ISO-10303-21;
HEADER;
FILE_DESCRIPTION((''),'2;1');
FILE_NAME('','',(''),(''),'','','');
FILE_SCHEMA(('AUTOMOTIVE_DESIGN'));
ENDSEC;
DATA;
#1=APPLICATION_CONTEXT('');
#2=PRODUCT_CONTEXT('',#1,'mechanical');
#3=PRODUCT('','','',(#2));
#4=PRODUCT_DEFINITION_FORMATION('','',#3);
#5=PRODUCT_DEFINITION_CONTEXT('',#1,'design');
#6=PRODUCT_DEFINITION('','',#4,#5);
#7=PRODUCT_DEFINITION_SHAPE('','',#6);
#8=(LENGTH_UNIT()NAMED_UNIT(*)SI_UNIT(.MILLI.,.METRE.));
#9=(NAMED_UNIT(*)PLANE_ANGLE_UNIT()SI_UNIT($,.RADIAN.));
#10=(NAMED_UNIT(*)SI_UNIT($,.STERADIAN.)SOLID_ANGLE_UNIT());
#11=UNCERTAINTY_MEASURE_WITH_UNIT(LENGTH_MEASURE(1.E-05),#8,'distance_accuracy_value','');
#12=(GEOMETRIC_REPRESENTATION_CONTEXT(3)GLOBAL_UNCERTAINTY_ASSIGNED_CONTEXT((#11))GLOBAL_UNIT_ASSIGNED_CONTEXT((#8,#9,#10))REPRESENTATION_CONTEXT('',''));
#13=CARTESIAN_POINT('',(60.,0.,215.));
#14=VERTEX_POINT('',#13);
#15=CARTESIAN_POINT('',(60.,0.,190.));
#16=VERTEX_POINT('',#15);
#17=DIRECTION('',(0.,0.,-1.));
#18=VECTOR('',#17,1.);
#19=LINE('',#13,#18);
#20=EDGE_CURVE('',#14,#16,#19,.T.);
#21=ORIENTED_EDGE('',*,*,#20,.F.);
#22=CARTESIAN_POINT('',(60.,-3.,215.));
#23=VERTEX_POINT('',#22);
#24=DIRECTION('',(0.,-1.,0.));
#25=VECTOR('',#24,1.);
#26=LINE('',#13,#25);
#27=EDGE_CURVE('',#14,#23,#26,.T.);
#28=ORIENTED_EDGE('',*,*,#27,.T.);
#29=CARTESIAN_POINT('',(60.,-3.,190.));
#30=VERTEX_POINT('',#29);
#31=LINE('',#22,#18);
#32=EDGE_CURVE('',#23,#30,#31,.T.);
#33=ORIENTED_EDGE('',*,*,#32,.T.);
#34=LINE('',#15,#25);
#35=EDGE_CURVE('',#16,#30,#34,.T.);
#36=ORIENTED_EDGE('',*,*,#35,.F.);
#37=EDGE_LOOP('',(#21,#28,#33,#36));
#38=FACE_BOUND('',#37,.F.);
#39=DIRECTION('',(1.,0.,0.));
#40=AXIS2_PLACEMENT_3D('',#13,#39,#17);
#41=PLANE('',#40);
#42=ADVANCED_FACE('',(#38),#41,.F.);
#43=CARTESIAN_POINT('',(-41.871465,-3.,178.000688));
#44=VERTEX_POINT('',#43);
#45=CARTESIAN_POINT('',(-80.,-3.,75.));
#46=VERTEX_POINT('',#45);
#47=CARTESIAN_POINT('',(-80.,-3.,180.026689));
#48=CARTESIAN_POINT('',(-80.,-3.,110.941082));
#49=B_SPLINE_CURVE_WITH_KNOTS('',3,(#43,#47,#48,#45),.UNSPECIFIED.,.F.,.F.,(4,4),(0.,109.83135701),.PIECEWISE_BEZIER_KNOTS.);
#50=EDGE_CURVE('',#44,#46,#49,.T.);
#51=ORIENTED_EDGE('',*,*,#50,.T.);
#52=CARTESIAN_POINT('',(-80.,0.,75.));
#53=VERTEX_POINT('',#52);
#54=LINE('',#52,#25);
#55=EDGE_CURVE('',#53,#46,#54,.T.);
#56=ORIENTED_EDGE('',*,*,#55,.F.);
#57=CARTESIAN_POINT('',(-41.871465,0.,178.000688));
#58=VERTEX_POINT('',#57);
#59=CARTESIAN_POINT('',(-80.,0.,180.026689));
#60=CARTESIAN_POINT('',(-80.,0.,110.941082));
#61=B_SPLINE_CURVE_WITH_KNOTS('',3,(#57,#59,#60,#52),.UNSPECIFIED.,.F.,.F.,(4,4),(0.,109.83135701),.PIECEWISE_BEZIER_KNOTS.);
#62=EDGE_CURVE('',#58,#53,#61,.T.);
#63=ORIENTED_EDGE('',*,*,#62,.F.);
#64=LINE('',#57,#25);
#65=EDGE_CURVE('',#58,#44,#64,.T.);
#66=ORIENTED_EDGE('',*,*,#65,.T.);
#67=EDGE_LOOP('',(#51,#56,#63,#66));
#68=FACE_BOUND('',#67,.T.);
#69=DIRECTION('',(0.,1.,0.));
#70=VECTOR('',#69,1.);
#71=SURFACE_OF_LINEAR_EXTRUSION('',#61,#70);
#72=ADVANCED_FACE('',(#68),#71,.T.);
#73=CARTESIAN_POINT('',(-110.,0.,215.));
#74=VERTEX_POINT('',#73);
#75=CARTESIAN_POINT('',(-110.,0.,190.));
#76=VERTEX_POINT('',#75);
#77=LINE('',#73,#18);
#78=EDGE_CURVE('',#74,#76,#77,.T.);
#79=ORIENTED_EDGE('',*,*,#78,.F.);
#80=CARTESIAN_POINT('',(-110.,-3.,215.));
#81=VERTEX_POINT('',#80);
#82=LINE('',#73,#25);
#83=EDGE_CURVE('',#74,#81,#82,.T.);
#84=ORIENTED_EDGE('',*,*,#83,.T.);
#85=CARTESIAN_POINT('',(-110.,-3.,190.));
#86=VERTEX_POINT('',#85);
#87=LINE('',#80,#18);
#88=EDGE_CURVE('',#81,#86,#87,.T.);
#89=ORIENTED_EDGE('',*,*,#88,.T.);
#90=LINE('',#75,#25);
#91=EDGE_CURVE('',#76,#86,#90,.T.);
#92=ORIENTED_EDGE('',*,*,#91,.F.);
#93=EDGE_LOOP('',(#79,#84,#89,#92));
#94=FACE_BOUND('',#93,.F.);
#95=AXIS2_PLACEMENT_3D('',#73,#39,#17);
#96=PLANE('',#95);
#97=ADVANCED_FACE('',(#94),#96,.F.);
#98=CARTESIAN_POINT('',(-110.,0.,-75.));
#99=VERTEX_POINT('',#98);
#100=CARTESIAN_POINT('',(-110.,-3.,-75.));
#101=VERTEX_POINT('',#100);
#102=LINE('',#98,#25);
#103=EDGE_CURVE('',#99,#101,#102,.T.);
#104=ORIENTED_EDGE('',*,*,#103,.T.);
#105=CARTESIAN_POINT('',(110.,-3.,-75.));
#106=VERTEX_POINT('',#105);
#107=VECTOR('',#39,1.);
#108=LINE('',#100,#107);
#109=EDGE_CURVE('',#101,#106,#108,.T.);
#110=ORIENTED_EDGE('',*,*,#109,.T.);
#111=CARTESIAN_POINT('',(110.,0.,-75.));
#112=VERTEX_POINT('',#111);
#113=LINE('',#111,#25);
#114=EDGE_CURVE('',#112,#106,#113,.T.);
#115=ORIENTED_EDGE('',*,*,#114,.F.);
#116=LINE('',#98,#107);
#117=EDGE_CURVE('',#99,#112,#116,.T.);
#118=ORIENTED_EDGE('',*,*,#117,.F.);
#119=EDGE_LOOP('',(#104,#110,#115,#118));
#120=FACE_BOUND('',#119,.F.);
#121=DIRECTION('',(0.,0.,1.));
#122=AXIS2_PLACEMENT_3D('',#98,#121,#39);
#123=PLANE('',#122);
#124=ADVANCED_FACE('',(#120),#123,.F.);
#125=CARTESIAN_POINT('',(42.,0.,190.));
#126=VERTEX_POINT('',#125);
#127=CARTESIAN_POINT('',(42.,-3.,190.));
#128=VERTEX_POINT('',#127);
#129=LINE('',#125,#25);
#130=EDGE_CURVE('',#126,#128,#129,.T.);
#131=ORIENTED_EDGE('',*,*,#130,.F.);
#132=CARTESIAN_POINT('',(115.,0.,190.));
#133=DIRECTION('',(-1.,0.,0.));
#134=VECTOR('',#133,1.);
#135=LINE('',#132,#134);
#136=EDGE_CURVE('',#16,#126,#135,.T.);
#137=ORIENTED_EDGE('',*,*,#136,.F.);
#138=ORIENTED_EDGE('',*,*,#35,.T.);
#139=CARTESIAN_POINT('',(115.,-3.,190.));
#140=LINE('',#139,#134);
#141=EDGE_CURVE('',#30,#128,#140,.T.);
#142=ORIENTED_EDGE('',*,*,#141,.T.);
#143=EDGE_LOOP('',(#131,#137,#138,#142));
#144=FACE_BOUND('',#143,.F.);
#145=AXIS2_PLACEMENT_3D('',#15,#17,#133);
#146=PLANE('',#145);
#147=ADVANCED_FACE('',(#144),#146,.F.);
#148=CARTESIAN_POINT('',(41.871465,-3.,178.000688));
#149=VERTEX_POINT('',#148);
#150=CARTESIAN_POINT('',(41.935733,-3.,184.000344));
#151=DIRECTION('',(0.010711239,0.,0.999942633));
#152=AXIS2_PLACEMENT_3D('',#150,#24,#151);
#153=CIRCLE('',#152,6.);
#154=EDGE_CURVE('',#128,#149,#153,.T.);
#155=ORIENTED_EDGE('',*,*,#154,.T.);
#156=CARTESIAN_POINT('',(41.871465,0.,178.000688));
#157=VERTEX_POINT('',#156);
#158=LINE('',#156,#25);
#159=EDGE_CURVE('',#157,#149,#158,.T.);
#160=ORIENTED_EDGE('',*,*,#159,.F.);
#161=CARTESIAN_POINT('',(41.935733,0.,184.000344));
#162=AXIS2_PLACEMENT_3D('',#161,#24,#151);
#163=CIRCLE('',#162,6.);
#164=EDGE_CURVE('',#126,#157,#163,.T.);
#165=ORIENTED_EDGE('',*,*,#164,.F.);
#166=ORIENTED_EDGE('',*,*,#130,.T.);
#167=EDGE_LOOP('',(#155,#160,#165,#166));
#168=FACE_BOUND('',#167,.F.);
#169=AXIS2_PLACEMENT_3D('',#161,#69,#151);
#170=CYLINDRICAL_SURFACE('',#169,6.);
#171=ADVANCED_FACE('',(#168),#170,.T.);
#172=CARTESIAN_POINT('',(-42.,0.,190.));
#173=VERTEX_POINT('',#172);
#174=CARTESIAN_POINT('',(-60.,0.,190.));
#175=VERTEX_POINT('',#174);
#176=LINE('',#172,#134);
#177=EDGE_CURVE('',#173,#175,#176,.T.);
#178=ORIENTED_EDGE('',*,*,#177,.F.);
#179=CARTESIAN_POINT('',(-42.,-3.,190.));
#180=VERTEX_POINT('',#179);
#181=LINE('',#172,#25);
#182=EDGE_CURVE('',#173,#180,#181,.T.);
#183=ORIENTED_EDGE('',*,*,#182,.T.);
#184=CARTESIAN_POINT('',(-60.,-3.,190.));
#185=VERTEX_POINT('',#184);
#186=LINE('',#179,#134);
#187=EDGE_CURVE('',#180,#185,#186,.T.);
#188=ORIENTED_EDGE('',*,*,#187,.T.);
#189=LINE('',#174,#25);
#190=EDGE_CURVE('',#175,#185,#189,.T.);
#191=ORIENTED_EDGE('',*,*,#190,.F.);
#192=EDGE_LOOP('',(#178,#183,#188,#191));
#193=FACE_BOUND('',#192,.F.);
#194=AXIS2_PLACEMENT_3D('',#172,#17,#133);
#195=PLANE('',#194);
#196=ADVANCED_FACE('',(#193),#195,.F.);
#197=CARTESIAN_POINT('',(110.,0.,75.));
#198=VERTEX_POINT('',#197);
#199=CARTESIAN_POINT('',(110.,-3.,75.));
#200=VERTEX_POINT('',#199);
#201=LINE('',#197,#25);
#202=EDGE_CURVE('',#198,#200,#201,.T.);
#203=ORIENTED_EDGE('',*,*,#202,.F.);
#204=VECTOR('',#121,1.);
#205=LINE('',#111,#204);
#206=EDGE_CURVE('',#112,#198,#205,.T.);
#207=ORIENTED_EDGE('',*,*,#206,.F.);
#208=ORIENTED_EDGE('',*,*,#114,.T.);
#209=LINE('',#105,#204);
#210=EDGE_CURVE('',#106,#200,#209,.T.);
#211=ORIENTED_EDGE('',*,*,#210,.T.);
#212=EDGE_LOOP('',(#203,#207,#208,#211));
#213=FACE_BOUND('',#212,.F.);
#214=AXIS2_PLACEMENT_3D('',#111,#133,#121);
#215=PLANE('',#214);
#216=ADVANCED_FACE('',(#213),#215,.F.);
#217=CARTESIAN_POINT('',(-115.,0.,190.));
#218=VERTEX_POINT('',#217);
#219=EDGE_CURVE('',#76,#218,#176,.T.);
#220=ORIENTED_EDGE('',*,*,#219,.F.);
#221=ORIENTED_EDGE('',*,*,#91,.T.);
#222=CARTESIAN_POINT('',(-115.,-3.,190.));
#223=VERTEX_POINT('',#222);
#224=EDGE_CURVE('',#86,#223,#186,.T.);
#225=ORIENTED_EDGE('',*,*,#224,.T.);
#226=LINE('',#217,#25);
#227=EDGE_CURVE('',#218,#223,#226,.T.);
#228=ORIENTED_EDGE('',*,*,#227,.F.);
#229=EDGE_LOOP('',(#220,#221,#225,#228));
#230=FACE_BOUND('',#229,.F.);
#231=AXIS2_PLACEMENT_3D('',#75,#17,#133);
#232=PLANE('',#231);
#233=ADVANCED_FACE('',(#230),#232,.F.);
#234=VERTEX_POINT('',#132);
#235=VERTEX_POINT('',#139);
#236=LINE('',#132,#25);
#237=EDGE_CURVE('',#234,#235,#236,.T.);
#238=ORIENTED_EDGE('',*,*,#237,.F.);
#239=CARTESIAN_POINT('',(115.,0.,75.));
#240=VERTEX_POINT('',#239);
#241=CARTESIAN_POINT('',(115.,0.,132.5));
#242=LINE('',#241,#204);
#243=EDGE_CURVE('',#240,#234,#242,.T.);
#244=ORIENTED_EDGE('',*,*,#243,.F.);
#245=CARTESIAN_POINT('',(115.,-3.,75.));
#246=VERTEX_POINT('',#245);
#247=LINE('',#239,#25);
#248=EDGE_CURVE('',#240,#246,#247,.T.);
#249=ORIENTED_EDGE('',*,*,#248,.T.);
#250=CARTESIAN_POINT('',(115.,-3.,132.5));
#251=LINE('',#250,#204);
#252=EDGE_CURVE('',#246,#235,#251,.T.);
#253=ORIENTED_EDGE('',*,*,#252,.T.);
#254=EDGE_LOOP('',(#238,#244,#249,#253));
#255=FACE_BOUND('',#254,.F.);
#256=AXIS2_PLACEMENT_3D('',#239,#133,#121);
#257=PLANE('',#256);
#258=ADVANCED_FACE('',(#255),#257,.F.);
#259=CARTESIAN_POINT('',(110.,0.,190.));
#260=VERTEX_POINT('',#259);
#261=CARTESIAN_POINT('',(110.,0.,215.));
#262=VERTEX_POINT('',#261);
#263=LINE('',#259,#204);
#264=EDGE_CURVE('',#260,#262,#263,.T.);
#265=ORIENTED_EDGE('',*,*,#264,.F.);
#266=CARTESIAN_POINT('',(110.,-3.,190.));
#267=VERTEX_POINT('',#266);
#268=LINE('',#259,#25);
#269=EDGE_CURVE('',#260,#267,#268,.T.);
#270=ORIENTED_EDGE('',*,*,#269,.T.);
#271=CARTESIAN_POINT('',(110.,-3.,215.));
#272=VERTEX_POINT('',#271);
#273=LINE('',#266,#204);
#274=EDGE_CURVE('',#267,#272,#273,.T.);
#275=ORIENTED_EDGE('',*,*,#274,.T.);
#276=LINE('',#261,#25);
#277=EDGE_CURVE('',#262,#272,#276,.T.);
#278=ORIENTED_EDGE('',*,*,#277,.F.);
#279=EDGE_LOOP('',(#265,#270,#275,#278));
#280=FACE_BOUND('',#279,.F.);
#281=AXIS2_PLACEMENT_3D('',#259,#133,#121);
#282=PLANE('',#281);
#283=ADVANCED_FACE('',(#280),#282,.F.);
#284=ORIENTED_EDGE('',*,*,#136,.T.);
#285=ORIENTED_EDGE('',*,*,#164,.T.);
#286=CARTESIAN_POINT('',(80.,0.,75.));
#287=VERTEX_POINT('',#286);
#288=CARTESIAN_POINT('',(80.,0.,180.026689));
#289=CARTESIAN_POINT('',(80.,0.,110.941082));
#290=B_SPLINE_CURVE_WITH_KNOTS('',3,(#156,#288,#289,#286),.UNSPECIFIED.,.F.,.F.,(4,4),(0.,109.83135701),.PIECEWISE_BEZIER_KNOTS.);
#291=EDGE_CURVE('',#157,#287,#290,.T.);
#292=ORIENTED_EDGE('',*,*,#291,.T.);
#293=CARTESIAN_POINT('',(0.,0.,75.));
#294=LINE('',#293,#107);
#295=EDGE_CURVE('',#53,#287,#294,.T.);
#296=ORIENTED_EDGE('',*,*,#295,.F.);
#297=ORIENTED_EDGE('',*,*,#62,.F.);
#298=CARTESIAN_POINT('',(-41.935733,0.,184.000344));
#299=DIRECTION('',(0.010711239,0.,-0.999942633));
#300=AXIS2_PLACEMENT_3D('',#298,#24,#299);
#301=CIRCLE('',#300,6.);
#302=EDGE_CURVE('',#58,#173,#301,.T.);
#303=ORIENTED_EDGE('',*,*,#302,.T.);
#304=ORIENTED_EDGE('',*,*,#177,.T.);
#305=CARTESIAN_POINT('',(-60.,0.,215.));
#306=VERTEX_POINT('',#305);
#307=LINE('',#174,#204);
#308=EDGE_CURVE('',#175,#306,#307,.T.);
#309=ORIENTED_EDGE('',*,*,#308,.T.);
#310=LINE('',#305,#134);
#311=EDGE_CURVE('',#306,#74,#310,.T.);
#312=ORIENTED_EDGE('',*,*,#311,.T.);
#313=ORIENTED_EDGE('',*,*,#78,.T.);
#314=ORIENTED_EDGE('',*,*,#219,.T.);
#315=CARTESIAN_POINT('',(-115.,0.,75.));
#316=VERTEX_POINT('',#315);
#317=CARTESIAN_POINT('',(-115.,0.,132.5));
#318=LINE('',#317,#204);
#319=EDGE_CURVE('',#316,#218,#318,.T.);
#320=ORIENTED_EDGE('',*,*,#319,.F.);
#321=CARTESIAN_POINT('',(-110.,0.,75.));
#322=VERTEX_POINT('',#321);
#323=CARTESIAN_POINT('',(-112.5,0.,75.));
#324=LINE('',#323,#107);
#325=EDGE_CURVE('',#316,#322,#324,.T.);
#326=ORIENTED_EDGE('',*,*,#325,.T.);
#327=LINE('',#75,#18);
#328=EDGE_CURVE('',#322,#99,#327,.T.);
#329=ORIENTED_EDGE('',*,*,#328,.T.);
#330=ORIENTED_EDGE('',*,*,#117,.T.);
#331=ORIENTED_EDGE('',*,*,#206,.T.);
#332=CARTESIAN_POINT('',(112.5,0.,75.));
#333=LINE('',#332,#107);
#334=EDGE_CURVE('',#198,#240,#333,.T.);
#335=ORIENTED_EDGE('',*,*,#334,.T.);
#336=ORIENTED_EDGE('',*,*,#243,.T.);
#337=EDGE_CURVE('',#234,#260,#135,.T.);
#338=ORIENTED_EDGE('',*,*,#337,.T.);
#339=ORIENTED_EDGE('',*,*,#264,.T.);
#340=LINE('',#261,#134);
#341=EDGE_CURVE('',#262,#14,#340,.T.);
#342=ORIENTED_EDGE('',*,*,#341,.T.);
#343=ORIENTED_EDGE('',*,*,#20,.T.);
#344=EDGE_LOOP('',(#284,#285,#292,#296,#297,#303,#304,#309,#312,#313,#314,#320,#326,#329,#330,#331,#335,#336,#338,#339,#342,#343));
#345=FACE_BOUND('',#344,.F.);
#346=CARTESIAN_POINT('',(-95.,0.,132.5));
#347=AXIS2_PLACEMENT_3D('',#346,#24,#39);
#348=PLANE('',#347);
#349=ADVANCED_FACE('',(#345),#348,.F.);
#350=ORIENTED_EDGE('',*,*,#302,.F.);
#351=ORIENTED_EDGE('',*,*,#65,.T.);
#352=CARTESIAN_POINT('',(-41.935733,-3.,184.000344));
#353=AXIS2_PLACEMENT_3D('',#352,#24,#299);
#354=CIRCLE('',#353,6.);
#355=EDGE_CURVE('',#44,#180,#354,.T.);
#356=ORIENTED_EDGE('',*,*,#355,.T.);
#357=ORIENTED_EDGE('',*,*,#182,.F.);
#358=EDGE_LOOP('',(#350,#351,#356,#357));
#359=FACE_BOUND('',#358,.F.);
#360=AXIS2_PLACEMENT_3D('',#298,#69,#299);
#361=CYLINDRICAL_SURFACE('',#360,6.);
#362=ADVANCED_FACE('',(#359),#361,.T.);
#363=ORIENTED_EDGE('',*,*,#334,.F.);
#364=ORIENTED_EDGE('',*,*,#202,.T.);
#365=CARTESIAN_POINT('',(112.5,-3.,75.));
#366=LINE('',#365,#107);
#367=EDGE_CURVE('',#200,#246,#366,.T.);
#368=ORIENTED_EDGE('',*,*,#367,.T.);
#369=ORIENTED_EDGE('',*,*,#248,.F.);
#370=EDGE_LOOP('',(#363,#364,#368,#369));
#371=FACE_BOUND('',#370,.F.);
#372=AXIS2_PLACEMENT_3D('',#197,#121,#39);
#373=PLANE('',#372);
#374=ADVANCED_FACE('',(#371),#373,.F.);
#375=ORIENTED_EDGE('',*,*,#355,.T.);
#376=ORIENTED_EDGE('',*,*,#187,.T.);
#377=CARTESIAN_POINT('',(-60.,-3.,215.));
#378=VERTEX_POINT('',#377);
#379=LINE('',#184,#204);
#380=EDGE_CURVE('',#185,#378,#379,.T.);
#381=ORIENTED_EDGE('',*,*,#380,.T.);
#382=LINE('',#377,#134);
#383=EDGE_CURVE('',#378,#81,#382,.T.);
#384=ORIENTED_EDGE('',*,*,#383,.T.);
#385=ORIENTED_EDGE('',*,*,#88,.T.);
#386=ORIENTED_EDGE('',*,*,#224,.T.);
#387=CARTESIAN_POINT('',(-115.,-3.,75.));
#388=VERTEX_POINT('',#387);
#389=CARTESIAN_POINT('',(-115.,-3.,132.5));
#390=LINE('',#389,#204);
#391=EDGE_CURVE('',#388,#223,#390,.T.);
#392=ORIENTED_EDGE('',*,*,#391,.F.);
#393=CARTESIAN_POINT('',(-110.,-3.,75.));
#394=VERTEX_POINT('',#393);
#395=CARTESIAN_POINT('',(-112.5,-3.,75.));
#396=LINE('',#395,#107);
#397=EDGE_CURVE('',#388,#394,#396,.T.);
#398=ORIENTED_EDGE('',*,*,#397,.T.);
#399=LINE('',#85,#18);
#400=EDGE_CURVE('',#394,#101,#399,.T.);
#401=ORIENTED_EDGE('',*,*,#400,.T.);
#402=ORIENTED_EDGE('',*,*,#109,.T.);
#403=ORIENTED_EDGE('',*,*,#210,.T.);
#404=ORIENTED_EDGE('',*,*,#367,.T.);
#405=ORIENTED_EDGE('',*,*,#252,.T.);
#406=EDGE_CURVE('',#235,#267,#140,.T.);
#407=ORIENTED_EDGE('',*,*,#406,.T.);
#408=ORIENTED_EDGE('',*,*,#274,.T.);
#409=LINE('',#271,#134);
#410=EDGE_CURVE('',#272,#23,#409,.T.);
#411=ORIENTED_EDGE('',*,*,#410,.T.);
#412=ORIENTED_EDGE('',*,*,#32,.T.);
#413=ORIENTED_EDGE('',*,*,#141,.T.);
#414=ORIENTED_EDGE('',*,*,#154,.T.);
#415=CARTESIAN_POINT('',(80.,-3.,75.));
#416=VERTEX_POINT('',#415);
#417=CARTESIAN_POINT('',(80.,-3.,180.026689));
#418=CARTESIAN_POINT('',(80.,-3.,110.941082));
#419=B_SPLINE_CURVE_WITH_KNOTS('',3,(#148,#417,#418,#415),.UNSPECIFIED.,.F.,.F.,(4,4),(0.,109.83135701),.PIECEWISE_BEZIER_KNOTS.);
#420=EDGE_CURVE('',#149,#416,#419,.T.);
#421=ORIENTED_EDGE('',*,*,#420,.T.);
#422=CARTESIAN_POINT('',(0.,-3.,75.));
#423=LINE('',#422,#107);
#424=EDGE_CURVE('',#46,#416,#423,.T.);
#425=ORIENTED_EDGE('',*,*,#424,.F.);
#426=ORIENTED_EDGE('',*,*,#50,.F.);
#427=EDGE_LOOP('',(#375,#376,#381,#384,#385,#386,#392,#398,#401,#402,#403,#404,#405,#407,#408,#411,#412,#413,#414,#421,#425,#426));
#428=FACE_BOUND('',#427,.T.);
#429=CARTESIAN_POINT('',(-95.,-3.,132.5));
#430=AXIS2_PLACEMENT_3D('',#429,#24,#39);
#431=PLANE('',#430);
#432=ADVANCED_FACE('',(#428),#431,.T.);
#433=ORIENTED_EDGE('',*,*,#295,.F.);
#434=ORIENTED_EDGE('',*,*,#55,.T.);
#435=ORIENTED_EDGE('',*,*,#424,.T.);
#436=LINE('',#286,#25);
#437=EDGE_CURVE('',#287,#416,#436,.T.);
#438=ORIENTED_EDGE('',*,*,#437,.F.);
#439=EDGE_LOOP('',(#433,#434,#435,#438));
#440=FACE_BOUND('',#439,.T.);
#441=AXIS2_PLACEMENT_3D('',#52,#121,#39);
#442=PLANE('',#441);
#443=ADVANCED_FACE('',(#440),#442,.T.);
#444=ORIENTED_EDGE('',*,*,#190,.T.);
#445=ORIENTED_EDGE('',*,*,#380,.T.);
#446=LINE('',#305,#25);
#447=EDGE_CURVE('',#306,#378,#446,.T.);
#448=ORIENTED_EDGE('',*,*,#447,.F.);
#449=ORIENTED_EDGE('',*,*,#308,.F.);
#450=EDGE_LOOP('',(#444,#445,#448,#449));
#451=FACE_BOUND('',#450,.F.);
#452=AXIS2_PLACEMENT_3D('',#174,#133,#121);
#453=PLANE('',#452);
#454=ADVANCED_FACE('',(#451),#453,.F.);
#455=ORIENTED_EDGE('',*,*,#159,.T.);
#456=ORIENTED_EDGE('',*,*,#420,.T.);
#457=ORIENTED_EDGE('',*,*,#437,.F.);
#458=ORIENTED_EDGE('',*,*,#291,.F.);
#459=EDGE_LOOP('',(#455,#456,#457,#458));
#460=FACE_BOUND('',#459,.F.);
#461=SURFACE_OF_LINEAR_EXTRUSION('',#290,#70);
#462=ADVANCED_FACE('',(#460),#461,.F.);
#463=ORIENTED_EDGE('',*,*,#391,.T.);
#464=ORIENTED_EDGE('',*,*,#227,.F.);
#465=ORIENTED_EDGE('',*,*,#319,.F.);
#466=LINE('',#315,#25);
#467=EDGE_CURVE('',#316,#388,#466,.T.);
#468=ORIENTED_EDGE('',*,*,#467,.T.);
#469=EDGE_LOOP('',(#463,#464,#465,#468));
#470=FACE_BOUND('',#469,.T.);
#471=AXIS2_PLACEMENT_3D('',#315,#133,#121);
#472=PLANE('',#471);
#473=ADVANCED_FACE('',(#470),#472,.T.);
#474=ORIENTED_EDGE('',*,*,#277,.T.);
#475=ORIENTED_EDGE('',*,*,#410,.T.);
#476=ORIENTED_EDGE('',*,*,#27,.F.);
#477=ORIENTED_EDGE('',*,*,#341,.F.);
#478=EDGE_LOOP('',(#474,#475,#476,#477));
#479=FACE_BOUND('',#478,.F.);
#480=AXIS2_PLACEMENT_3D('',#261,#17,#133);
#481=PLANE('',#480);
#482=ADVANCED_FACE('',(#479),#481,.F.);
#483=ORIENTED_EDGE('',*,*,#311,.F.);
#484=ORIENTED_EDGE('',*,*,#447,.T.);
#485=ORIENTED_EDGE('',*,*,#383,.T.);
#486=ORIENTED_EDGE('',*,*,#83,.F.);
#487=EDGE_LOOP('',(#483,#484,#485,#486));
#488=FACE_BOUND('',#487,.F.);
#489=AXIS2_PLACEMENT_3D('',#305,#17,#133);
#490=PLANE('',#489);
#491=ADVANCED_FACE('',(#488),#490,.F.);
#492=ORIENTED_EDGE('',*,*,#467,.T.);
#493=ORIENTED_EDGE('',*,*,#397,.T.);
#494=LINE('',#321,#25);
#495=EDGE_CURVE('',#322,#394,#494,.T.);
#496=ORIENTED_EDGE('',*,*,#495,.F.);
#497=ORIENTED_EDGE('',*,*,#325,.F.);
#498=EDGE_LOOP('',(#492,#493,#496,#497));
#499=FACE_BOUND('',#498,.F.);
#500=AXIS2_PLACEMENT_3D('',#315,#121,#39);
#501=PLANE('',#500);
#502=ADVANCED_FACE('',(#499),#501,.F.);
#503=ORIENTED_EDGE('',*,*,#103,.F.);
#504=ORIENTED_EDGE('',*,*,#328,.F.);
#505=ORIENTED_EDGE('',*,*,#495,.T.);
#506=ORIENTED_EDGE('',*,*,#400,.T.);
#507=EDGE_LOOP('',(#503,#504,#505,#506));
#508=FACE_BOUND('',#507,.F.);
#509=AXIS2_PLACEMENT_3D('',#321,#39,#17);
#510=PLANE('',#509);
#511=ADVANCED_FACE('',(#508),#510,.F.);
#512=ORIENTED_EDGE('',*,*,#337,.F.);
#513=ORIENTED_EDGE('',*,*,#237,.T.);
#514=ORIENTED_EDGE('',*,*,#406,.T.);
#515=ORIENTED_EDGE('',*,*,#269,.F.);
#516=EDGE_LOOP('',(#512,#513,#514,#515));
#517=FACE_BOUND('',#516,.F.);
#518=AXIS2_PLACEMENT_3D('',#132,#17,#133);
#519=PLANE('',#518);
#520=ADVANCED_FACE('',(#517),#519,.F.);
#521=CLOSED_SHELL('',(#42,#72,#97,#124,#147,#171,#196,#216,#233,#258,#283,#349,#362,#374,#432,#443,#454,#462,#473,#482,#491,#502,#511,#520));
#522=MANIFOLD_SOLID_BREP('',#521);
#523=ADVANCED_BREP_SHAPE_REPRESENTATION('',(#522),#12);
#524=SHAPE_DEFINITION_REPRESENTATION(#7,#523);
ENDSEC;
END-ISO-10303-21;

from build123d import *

# Parameters (mm, degrees)
F0_W     = 30
F0_H     = 115
F0_H_2   = 150
F0_W_2   = 5
F0_W_3   = 160
F1_DEPTH = 3


with BuildPart() as f1:
    # F0 (on Front) → F1 (new body)
    with BuildSketch(Plane.XZ):
        with Locations((-95, 132.5)):
            Rectangle(F0_W, F0_H)
        with Locations((-95, 0)):
            Rectangle(F0_W, F0_H_2)
        with Locations((-112.5, 132.5)):
            Rectangle(F0_W_2, F0_H)
        Rectangle(F0_W_3, F0_H_2)
        with BuildLine():
            Line((-80, 190), (-80, 75))
            add(Edge.make_bspline(
                [(-41.8714651341, 178.0006884036), (-80, 180.026688963), (-80, 110.9410823158), (-80, 75)],
                knots=[0, 0, 0, 0, 109.8313570099, 109.8313570099, 109.8313570099, 109.8313570099], degree=3))
            Line((-41.8714651341, 178.0006884036), (-42, 190))
            Line((-42, 190), (-60, 190))
            Line((-60, 190), (-80, 190))
        make_face()
        Polygon((-110, 215), (-110, 190), (-80, 190), (-60, 190), (-60, 215), align=None)
        with Locations((95, 132.5)):
            Rectangle(F0_W, F0_H)
        with Locations((95, 0)):
            Rectangle(F0_W, F0_H_2)
        with BuildLine():
            add(Edge.make_bspline(
                [(41.8714651341, 178.0006884036), (80, 180.026688963), (80, 110.9410823158), (80, 75)],
                knots=[0, 0, 0, 0, 109.8313570099, 109.8313570099, 109.8313570099, 109.8313570099], degree=3))
            Line((80, 75), (80, 190))
            Line((80, 190), (60, 190))
            Line((60, 190), (42, 190))
            ThreePointArc((42, 190), (35.9360767688, 184.0646116347), (41.8714651341, 178.0006884036))
        make_face()
        with BuildLine():
            Line((-42, 190), (-41.8714651341, 178.0006884036))
            ThreePointArc((-41.8714651341, 178.0006884036), (-35.9360767688, 184.0646116347), (-42, 190))
        make_face()
        with Locations((112.5, 132.5)):
            Rectangle(F0_W_2, F0_H)
        Polygon((60, 190), (80, 190), (110, 190), (110, 215), (60, 215), align=None)
    extrude(amount=F1_DEPTH)


solid = f1.part
